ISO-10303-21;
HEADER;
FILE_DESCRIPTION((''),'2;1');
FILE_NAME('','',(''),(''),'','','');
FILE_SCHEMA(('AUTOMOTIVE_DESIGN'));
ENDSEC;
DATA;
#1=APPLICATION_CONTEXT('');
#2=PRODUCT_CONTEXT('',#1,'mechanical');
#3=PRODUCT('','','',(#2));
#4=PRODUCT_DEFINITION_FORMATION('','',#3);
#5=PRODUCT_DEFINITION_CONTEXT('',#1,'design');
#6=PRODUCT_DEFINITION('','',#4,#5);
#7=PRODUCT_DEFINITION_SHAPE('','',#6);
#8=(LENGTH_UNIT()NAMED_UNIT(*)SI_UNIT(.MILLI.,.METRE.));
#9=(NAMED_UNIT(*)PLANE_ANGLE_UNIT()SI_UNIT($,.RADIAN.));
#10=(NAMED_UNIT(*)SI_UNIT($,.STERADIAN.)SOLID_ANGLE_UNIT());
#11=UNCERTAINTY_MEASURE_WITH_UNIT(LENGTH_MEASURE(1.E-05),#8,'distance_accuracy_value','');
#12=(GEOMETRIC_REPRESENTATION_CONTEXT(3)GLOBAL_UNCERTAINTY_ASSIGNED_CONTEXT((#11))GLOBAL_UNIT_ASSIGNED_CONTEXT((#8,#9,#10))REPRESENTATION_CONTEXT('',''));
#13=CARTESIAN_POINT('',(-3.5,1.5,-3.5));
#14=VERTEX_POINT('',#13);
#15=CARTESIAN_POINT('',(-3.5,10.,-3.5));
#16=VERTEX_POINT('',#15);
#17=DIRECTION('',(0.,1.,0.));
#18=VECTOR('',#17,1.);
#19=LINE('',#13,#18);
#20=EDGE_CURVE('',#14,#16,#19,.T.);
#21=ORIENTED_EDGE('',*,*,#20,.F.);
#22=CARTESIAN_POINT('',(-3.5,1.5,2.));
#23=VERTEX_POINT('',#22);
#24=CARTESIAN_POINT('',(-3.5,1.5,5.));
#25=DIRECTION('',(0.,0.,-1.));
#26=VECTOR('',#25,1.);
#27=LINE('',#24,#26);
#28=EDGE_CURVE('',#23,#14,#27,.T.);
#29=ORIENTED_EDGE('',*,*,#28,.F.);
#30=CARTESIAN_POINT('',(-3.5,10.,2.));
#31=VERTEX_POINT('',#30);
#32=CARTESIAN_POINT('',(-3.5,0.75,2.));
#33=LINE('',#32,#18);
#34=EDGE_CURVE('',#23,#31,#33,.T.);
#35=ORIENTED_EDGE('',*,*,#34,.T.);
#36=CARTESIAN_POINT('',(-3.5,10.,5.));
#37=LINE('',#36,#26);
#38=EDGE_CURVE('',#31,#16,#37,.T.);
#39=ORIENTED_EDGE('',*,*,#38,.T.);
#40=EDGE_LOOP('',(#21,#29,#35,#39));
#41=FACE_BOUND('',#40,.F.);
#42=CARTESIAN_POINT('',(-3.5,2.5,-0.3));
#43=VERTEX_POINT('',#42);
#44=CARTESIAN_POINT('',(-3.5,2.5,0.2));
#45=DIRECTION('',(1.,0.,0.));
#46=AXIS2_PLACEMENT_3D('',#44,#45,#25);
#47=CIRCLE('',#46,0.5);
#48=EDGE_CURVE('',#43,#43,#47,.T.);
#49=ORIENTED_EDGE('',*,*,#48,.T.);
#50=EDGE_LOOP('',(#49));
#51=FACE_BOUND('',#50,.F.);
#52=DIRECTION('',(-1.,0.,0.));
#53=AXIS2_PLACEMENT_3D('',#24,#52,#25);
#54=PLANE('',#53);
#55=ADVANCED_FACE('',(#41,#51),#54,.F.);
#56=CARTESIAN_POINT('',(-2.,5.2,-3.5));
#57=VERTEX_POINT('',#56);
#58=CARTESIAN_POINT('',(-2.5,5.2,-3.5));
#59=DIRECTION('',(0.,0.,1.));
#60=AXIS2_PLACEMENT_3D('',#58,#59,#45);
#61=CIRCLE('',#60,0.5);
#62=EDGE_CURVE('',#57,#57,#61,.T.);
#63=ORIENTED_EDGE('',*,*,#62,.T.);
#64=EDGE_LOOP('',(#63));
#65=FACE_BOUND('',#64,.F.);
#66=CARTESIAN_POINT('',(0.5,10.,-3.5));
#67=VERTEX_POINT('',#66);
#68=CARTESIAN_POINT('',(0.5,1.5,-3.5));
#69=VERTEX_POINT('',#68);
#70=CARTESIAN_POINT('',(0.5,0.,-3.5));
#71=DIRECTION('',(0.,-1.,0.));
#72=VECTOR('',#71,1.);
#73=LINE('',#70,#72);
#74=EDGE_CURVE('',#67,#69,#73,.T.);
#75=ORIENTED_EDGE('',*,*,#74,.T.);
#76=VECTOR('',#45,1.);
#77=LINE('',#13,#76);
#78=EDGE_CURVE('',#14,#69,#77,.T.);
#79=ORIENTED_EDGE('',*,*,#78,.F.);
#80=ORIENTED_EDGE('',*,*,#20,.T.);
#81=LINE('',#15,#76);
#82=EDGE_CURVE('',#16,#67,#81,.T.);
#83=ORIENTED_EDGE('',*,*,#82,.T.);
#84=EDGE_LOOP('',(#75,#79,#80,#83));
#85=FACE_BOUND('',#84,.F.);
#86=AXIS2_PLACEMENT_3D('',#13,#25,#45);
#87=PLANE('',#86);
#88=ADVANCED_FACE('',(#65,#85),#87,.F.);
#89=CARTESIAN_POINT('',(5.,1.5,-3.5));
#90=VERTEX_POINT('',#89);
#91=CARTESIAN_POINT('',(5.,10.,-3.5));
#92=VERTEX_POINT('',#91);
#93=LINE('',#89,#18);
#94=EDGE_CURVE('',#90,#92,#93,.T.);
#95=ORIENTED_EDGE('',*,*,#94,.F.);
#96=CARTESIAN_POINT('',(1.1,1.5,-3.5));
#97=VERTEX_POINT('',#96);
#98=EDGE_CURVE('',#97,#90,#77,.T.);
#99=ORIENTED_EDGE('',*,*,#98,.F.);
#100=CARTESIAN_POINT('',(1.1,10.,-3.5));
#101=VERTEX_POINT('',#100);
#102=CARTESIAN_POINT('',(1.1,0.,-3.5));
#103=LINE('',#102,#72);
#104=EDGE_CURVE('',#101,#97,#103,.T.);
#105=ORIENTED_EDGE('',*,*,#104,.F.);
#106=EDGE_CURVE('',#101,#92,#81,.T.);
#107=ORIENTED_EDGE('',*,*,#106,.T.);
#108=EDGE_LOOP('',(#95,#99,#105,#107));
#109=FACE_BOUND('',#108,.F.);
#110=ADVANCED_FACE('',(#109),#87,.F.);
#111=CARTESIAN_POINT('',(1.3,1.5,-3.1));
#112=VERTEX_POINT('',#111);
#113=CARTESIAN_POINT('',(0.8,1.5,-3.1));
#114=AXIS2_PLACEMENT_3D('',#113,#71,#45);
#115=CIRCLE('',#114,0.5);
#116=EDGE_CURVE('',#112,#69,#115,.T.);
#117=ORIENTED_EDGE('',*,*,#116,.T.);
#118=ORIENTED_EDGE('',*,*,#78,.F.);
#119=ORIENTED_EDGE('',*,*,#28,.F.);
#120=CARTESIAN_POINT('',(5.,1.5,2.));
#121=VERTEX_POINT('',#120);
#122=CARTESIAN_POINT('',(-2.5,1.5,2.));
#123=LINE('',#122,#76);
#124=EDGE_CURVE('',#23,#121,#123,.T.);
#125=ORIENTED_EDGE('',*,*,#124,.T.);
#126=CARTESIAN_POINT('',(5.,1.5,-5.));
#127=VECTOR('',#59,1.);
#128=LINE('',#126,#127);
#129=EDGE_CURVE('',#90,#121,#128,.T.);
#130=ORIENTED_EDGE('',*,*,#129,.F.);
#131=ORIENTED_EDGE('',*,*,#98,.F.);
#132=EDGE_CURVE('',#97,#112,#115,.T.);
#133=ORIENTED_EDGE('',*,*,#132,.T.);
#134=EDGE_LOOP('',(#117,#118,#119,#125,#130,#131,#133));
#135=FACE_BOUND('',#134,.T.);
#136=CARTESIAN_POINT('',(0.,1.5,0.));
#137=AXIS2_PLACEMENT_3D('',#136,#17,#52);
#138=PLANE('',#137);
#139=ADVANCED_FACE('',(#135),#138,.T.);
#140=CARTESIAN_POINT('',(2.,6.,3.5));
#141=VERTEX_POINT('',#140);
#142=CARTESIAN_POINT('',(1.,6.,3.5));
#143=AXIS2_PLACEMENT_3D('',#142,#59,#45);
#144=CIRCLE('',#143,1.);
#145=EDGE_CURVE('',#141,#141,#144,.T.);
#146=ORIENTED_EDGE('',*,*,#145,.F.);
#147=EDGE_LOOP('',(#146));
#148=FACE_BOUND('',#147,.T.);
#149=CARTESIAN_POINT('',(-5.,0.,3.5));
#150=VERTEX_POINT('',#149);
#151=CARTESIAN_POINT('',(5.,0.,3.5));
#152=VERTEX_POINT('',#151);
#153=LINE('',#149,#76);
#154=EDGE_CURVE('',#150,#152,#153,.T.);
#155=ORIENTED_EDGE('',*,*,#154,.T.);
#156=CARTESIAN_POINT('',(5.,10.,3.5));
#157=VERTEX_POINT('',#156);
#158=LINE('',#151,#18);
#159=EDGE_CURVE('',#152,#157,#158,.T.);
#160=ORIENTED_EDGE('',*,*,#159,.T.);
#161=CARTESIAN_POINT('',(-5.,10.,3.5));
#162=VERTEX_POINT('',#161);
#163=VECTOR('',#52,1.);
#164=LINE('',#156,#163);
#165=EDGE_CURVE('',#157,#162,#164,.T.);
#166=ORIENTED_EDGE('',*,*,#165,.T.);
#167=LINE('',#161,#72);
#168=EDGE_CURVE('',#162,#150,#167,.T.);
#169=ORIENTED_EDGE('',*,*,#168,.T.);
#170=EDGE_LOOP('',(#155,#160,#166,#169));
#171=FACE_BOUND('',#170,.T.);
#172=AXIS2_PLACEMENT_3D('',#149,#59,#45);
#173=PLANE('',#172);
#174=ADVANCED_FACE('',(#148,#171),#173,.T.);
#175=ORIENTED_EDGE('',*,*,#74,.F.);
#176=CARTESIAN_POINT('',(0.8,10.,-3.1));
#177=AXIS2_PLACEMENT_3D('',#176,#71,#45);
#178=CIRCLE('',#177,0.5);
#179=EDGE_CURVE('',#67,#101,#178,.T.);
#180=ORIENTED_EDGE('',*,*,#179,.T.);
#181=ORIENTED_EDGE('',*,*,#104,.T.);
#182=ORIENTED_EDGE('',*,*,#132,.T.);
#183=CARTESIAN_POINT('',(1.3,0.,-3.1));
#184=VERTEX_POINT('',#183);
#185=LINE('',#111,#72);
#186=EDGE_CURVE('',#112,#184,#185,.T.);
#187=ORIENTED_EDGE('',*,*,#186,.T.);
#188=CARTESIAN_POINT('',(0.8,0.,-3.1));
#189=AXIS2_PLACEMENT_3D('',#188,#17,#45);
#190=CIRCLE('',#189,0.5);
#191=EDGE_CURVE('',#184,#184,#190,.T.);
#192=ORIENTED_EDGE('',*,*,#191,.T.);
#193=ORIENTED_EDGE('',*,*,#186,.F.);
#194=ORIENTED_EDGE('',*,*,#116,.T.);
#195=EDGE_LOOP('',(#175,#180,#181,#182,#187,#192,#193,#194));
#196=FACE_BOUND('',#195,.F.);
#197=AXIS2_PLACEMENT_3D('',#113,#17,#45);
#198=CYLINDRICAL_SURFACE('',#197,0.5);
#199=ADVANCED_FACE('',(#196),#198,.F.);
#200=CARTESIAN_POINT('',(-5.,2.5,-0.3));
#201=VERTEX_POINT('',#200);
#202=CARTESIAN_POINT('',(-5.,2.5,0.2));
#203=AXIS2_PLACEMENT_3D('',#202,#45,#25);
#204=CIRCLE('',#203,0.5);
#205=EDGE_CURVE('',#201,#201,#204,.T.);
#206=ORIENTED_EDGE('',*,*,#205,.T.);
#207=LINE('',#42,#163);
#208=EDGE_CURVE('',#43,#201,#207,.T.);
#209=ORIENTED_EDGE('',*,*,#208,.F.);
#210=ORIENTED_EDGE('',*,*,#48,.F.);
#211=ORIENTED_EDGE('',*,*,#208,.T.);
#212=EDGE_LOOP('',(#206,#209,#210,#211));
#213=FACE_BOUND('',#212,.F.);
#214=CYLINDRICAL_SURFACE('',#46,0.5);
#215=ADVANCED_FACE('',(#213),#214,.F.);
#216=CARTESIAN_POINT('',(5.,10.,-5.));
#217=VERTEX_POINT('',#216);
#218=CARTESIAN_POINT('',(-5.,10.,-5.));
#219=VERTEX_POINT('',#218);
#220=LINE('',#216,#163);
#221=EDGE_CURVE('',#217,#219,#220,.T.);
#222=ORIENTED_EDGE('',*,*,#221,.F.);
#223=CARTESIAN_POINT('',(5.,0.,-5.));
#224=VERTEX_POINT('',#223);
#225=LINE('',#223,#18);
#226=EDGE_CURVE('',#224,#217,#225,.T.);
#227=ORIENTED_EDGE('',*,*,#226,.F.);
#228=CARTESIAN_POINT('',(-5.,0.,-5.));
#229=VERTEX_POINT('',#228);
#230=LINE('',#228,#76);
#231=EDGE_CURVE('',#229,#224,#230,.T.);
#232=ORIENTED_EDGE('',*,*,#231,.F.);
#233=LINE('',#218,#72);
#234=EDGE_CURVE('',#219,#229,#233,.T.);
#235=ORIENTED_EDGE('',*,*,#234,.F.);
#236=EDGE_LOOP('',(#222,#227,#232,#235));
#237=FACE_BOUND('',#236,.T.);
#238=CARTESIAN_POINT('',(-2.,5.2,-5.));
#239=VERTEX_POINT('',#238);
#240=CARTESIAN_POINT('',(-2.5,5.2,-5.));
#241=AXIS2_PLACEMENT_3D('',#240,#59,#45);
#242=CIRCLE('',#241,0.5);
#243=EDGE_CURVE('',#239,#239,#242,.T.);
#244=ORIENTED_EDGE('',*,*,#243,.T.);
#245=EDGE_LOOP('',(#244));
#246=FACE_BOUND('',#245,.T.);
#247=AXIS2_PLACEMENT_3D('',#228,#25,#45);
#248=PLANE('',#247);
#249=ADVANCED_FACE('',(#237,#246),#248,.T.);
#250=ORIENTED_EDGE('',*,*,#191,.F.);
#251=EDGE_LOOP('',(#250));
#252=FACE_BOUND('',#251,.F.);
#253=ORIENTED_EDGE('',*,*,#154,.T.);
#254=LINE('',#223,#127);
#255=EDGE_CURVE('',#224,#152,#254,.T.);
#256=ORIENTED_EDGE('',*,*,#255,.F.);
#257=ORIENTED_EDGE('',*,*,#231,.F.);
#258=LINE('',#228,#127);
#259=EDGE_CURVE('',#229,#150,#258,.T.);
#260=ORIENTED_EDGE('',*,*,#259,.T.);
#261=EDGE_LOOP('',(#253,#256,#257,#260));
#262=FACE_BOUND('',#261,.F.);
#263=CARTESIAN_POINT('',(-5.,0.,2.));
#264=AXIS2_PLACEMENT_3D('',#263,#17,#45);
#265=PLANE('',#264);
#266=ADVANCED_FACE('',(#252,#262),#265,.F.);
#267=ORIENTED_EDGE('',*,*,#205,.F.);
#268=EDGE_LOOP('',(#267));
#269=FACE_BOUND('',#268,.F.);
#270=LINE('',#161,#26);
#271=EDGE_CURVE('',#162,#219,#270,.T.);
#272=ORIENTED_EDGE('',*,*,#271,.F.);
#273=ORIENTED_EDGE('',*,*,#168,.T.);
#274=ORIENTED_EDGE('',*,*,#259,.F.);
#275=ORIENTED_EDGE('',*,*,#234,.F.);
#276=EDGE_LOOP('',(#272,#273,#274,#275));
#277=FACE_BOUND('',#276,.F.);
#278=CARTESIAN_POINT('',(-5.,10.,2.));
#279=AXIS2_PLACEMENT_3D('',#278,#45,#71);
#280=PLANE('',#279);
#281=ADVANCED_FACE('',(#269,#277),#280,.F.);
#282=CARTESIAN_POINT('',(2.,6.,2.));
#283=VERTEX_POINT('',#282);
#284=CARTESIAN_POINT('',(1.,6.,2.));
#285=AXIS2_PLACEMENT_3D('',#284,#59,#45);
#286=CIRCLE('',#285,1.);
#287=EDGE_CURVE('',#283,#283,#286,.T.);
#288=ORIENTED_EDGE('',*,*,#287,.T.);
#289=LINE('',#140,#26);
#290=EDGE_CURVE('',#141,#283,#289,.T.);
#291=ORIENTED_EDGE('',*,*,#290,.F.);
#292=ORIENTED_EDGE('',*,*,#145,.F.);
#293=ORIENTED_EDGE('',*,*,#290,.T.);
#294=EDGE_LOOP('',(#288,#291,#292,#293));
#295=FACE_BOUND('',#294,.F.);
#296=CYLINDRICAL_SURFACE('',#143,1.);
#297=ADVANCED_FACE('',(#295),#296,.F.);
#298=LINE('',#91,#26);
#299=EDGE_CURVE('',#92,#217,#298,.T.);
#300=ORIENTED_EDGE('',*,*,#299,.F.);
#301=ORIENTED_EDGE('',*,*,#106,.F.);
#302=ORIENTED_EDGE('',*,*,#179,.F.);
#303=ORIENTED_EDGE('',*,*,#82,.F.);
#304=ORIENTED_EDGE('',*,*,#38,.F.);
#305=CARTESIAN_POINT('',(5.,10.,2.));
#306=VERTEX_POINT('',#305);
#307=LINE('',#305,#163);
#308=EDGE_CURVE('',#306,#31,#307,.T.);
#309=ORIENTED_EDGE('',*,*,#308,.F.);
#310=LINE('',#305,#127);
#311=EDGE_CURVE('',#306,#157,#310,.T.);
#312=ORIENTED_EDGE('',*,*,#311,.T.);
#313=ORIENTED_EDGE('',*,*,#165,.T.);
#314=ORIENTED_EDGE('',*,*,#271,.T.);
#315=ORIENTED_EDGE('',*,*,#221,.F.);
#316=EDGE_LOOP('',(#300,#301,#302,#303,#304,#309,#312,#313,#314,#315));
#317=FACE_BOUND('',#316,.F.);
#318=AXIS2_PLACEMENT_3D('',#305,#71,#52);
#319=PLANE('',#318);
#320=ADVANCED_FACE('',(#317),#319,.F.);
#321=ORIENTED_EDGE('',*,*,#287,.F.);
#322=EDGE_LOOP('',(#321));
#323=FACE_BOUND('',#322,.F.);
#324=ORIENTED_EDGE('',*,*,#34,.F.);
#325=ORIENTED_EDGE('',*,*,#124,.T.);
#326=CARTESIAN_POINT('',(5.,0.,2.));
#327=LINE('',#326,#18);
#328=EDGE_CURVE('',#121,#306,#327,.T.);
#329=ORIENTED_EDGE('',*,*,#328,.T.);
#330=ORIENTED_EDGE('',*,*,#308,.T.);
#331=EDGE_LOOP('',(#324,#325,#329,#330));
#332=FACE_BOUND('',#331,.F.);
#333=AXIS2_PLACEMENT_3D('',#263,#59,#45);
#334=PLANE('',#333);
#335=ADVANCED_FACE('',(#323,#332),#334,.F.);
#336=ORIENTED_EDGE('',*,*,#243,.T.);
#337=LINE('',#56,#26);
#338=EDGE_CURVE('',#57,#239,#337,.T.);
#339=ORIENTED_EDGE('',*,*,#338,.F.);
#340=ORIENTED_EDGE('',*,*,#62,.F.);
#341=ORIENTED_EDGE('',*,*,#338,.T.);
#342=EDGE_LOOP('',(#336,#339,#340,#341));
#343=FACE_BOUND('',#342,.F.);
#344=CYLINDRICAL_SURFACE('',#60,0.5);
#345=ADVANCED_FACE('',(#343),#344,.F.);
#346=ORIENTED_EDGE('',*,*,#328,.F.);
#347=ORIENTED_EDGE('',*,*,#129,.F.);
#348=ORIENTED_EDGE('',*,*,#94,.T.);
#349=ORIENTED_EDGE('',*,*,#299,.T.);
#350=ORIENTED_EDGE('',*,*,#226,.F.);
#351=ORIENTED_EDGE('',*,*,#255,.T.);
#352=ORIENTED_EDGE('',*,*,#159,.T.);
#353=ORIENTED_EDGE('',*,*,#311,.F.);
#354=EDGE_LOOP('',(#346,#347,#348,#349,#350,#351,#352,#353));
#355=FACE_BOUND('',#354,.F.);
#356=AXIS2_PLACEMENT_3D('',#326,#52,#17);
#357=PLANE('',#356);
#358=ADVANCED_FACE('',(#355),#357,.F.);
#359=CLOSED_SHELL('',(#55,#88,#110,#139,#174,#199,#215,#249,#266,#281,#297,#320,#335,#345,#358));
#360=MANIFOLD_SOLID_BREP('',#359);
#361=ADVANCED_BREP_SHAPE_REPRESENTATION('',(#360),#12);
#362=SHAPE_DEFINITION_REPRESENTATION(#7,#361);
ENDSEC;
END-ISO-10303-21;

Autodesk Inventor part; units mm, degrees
ref_plane "YZ Plane" through (0, 0, 0) normal (1, 0, 0) x (0, 1, 0)
ref_plane "XZ Plane" through (0, 0, 0) normal (0, 1, 0) x (-1, 0, 0)
ref_plane "XY Plane" through (0, 0, 0) normal (0, 0, 1) x (1, 0, 0)
sketch "Sketch1" plane through (0, 0, 0) normal (0, 1, 0) x (-1, 0, 0)
  line L0 (-5, 5) -> (5, 5)
  line L1 (5, 5) -> (5, -5)
  line L2 (5, -5) -> (-5, -5)
  line L3 (-5, -5) -> (-5, 5)
  line L4 (-5, 5) -> (5, -5) construction
  line L5 (5, 5) -> (-5, -5) construction
  point P0 (0, 0)
  dimension "d0" = 10
  dimension "d1" = 10
extrude "Extrusion1" add sketch "Sketch1" along normal blind 1.5
sketch "Sketch2" plane through (0, 1.5, 0) normal (0, 1, 0) x (1, 0, 0)
  line L0 (-5, -5) -> (-3.5, -5)
  line L1 (-5, -5) -> (5, -5) projected
  line L2 (-3.5, -5) -> (-3.5, 3.5)
  line L3 (-3.5, 3.5) -> (5, 3.5)
  line L4 (5, 3.5) -> (5, 5)
  line L5 (5, 5) -> (-5, 5)
  line L6 (-5, 5) -> (-5, -5)
  point P0 (0, 0)
  dimension "d4" = 1.5
  dimension "d5" = 8.5
  dimension "d6" = 90
  dimension "d7" = 8.5
  dimension "d8" = 90
  dimension "d9" = 10
  dimension "d10" = 90
extrude "Extrusion2" add sketch "Sketch2" along normal blind 8.5
sketch "Sketch3" plane through (0, 1.5, 0) normal (0, 1, 0) x (1, 0, 0)
  circle A0 centre (0.8, 3.1) radius 0.5
  line L0 (5, 3.5) -> (-3.5, 3.5) projected
  line L1 (-3.5, 3.5) -> (-3.5, -5) projected
  point P0 (0, 0)
  dimension "d13" = 1
  dimension "d14" = 0.4
  dimension "d15" = 4.3
extrude "Extrusion3" cut sketch "Sketch3" against normal blind 8.5
sketch "Sketch4" plane through (-3.5, 1.5, -3.5) normal (0, 0, 1) x (1, 0, 0)
  circle A0 centre (1, 3.7) radius 0.5
  line L0 (8.5, 0) -> (0, 0) projected
  line L1 (0, 0) -> (0, 8.5) projected
  point P0 (3.5, -1.5)
  dimension "d18" = 1
  dimension "d19" = 3.7
  dimension "d20" = 1
extrude "Extrusion4" cut sketch "Sketch4" against normal blind 8.5
sketch "Sketch5" plane through (0, 0, 0) normal (0, -1, 0) x (1, 0, 0)
  circle A0 centre (0.8, -3.1) radius 0.5
  circle A1 centre (0.8, -3.1) radius 0.5 projected
  point P0 (0, 0)
  dimension "d23" = 1
  dimension "d24" = 0
extrude "Extrusion5" cut sketch "Sketch5" against normal blind 10
sketch "Sketch6" plane through (-3.5, 1.5, 5) normal (1, 0, 0) x (0, 0, -1)
  circle A0 centre (4.8, 1) radius 0.5
  line L0 (0, 0) -> (8.5, 0) projected
  line L1 (8.5, 0) -> (8.5, 8.5) projected
  point P0 (5, -1.5)
  dimension "d27" = 1
  dimension "d28" = 1
  dimension "d29" = 3.7
extrude "Extrusion6" cut sketch "Sketch6" against normal blind 2
sketch "Sketch7" plane through (-5, 0, 5) normal (0, 0, 1) x (1, 0, 0)
  line L0 (0, 0) -> (10, 0)
  line L1 (10, 0) -> (10, 10)
  line L2 (10, 10) -> (0, 10)
  line L3 (0, 10) -> (0, 0)
  point P0 (5, 0)
extrude "Extrusion7" cut sketch "Sketch7" against normal blind 3
sketch "Sketch8" plane through (-5, 0, 2) normal (0, 0, 1) x (1, 0, 0)
  line L0 (0, 0) -> (10, 0)
  line L1 (10, 0) -> (10, 10)
  line L2 (10, 10) -> (0, 10)
  line L3 (0, 10) -> (0, 0)
  point P0 (5, 0)
extrude "Extrusion8" add sketch "Sketch8" along normal blind 1.5
sketch "Sketch9" plane through (-5, 0, 3.5) normal (0, 0, 1) x (1, 0, 0)
  circle A0 centre (6, 6) radius 1
  line L0 (0, 0) -> (10, 0) projected
  line L1 (0, 10) -> (0, 0) projected
  point P0 (5, 0)
  dimension "d36" = 2
  dimension "d37" = 6
  dimension "d38" = 6
extrude "Extrusion9" cut sketch "Sketch9" against normal blind 1.5
properties part number "Corner2"
